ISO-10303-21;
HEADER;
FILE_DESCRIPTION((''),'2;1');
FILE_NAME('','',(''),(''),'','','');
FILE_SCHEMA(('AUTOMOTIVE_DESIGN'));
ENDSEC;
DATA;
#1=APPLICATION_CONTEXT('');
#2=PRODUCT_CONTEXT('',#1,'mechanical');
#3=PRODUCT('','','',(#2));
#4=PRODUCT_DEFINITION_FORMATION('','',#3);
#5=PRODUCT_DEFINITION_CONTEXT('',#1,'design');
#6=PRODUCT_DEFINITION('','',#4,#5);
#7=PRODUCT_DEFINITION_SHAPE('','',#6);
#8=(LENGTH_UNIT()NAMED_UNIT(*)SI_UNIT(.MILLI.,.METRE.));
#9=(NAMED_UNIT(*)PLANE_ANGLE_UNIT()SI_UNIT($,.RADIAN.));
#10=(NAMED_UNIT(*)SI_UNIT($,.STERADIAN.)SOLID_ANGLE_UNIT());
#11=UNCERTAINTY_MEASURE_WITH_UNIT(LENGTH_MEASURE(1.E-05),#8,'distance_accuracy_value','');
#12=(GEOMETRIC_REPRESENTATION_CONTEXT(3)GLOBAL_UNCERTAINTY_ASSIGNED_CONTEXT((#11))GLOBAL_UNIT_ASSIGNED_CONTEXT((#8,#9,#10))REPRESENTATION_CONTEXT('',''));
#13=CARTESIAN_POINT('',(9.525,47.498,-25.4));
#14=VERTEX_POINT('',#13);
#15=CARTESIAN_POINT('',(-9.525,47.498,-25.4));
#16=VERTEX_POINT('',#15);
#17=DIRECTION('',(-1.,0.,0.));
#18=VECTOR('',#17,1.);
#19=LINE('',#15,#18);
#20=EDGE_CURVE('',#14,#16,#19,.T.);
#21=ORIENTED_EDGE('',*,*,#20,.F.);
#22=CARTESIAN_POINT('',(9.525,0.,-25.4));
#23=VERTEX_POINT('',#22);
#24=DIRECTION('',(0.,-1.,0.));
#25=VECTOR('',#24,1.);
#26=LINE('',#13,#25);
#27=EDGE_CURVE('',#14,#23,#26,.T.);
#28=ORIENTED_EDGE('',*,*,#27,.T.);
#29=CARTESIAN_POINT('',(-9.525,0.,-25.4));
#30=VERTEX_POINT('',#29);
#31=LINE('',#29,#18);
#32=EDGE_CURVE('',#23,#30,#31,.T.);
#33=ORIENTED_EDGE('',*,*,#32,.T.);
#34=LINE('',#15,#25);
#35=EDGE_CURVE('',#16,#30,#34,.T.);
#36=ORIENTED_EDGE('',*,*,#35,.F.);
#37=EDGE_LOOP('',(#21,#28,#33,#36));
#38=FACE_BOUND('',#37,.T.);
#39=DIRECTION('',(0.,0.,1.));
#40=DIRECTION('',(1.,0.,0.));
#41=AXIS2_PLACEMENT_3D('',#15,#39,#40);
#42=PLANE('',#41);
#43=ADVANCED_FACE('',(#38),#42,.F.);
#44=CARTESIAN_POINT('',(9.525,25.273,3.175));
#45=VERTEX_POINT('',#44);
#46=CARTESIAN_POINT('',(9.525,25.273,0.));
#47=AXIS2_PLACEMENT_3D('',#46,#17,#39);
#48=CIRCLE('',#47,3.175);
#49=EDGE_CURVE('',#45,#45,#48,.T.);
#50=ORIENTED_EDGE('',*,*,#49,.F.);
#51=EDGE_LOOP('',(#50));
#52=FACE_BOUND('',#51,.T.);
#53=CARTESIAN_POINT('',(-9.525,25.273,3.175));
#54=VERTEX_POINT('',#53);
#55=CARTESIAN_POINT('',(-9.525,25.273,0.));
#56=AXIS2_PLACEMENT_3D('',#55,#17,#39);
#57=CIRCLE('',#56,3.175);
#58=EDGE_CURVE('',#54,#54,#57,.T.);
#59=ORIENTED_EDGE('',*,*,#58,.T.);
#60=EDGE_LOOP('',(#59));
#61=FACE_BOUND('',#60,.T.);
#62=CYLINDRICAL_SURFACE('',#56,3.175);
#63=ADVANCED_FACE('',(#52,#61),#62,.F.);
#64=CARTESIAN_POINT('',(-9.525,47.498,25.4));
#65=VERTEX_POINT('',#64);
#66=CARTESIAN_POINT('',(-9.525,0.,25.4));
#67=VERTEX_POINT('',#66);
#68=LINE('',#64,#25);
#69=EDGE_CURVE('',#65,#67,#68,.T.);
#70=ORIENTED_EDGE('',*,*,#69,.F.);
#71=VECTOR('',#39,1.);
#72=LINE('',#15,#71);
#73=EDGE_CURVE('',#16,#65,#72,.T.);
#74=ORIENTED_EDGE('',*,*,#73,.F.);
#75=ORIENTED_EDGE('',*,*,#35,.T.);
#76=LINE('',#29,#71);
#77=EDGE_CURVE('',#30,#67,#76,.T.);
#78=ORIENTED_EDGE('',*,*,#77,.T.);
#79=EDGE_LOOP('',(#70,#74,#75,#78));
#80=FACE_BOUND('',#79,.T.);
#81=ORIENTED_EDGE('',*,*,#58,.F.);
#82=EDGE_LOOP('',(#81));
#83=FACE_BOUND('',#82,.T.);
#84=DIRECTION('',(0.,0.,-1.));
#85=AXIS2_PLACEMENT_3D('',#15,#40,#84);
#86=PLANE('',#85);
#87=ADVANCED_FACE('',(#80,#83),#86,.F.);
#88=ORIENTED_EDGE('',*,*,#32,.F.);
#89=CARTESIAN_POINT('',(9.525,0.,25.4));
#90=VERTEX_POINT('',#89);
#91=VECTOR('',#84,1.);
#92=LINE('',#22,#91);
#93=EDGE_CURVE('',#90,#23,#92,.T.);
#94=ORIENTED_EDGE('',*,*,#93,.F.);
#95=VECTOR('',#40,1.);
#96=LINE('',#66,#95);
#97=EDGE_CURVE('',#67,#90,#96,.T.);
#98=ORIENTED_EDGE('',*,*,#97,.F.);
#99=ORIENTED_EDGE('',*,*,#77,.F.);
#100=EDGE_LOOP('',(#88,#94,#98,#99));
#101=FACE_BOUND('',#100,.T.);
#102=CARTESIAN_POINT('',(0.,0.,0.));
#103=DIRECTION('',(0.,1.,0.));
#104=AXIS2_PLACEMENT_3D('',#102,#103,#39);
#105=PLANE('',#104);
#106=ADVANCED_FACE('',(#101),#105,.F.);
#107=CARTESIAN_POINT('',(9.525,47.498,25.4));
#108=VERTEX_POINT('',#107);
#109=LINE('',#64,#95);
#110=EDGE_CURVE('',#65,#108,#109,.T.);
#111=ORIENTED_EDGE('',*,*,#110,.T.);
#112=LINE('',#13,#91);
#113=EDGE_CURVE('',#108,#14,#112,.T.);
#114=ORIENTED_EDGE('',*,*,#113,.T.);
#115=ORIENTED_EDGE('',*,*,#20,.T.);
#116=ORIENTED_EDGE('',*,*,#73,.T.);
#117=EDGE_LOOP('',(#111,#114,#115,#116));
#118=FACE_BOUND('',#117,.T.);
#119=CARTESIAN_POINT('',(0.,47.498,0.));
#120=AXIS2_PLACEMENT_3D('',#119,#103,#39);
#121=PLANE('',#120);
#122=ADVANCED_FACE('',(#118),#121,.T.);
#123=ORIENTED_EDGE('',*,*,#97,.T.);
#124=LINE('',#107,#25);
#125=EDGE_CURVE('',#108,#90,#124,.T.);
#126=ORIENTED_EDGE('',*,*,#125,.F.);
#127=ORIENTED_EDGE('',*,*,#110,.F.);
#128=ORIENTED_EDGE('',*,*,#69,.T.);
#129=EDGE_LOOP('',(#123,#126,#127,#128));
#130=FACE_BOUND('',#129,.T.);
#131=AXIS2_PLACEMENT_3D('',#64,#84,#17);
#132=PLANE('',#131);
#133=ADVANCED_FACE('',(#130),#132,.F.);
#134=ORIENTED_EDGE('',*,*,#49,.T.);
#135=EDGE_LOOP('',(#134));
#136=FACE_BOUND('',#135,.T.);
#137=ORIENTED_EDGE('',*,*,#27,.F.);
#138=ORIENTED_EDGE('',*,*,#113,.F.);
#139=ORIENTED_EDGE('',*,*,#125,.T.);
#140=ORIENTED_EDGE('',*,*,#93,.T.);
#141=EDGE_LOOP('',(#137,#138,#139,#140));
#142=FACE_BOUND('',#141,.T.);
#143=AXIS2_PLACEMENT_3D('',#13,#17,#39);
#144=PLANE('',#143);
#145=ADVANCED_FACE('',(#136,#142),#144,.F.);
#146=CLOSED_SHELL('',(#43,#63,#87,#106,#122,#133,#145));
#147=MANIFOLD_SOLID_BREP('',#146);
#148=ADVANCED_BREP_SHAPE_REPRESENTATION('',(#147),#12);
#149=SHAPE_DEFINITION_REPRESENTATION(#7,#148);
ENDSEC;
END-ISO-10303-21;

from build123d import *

# Parameters (mm, degrees)
SKETCH1_W                  = 19.05
SKETCH1_H                  = 50.8
BOSS_EXTRUDE1_DEPTH        = 47.498
F_1_4_0_2500_DOWEL_HOLE1_D = 6.35


with BuildPart() as part:
    # Sketch1 → Boss-Extrude1 (new body)
    with BuildSketch(Plane(origin=(0, 0, 0), x_dir=(1, 0, 0), z_dir=(0, 1, 0))):
        Rectangle(SKETCH1_W, SKETCH1_H)
    extrude(amount=BOSS_EXTRUDE1_DEPTH)

    # 1/4 (0.2500) Dowel Hole1 (through all)
    with Locations(Plane.ZY.offset(9.525)):
        with Locations((0, 25.273)):
            Hole(F_1_4_0_2500_DOWEL_HOLE1_D / 2)


solid = part.part
